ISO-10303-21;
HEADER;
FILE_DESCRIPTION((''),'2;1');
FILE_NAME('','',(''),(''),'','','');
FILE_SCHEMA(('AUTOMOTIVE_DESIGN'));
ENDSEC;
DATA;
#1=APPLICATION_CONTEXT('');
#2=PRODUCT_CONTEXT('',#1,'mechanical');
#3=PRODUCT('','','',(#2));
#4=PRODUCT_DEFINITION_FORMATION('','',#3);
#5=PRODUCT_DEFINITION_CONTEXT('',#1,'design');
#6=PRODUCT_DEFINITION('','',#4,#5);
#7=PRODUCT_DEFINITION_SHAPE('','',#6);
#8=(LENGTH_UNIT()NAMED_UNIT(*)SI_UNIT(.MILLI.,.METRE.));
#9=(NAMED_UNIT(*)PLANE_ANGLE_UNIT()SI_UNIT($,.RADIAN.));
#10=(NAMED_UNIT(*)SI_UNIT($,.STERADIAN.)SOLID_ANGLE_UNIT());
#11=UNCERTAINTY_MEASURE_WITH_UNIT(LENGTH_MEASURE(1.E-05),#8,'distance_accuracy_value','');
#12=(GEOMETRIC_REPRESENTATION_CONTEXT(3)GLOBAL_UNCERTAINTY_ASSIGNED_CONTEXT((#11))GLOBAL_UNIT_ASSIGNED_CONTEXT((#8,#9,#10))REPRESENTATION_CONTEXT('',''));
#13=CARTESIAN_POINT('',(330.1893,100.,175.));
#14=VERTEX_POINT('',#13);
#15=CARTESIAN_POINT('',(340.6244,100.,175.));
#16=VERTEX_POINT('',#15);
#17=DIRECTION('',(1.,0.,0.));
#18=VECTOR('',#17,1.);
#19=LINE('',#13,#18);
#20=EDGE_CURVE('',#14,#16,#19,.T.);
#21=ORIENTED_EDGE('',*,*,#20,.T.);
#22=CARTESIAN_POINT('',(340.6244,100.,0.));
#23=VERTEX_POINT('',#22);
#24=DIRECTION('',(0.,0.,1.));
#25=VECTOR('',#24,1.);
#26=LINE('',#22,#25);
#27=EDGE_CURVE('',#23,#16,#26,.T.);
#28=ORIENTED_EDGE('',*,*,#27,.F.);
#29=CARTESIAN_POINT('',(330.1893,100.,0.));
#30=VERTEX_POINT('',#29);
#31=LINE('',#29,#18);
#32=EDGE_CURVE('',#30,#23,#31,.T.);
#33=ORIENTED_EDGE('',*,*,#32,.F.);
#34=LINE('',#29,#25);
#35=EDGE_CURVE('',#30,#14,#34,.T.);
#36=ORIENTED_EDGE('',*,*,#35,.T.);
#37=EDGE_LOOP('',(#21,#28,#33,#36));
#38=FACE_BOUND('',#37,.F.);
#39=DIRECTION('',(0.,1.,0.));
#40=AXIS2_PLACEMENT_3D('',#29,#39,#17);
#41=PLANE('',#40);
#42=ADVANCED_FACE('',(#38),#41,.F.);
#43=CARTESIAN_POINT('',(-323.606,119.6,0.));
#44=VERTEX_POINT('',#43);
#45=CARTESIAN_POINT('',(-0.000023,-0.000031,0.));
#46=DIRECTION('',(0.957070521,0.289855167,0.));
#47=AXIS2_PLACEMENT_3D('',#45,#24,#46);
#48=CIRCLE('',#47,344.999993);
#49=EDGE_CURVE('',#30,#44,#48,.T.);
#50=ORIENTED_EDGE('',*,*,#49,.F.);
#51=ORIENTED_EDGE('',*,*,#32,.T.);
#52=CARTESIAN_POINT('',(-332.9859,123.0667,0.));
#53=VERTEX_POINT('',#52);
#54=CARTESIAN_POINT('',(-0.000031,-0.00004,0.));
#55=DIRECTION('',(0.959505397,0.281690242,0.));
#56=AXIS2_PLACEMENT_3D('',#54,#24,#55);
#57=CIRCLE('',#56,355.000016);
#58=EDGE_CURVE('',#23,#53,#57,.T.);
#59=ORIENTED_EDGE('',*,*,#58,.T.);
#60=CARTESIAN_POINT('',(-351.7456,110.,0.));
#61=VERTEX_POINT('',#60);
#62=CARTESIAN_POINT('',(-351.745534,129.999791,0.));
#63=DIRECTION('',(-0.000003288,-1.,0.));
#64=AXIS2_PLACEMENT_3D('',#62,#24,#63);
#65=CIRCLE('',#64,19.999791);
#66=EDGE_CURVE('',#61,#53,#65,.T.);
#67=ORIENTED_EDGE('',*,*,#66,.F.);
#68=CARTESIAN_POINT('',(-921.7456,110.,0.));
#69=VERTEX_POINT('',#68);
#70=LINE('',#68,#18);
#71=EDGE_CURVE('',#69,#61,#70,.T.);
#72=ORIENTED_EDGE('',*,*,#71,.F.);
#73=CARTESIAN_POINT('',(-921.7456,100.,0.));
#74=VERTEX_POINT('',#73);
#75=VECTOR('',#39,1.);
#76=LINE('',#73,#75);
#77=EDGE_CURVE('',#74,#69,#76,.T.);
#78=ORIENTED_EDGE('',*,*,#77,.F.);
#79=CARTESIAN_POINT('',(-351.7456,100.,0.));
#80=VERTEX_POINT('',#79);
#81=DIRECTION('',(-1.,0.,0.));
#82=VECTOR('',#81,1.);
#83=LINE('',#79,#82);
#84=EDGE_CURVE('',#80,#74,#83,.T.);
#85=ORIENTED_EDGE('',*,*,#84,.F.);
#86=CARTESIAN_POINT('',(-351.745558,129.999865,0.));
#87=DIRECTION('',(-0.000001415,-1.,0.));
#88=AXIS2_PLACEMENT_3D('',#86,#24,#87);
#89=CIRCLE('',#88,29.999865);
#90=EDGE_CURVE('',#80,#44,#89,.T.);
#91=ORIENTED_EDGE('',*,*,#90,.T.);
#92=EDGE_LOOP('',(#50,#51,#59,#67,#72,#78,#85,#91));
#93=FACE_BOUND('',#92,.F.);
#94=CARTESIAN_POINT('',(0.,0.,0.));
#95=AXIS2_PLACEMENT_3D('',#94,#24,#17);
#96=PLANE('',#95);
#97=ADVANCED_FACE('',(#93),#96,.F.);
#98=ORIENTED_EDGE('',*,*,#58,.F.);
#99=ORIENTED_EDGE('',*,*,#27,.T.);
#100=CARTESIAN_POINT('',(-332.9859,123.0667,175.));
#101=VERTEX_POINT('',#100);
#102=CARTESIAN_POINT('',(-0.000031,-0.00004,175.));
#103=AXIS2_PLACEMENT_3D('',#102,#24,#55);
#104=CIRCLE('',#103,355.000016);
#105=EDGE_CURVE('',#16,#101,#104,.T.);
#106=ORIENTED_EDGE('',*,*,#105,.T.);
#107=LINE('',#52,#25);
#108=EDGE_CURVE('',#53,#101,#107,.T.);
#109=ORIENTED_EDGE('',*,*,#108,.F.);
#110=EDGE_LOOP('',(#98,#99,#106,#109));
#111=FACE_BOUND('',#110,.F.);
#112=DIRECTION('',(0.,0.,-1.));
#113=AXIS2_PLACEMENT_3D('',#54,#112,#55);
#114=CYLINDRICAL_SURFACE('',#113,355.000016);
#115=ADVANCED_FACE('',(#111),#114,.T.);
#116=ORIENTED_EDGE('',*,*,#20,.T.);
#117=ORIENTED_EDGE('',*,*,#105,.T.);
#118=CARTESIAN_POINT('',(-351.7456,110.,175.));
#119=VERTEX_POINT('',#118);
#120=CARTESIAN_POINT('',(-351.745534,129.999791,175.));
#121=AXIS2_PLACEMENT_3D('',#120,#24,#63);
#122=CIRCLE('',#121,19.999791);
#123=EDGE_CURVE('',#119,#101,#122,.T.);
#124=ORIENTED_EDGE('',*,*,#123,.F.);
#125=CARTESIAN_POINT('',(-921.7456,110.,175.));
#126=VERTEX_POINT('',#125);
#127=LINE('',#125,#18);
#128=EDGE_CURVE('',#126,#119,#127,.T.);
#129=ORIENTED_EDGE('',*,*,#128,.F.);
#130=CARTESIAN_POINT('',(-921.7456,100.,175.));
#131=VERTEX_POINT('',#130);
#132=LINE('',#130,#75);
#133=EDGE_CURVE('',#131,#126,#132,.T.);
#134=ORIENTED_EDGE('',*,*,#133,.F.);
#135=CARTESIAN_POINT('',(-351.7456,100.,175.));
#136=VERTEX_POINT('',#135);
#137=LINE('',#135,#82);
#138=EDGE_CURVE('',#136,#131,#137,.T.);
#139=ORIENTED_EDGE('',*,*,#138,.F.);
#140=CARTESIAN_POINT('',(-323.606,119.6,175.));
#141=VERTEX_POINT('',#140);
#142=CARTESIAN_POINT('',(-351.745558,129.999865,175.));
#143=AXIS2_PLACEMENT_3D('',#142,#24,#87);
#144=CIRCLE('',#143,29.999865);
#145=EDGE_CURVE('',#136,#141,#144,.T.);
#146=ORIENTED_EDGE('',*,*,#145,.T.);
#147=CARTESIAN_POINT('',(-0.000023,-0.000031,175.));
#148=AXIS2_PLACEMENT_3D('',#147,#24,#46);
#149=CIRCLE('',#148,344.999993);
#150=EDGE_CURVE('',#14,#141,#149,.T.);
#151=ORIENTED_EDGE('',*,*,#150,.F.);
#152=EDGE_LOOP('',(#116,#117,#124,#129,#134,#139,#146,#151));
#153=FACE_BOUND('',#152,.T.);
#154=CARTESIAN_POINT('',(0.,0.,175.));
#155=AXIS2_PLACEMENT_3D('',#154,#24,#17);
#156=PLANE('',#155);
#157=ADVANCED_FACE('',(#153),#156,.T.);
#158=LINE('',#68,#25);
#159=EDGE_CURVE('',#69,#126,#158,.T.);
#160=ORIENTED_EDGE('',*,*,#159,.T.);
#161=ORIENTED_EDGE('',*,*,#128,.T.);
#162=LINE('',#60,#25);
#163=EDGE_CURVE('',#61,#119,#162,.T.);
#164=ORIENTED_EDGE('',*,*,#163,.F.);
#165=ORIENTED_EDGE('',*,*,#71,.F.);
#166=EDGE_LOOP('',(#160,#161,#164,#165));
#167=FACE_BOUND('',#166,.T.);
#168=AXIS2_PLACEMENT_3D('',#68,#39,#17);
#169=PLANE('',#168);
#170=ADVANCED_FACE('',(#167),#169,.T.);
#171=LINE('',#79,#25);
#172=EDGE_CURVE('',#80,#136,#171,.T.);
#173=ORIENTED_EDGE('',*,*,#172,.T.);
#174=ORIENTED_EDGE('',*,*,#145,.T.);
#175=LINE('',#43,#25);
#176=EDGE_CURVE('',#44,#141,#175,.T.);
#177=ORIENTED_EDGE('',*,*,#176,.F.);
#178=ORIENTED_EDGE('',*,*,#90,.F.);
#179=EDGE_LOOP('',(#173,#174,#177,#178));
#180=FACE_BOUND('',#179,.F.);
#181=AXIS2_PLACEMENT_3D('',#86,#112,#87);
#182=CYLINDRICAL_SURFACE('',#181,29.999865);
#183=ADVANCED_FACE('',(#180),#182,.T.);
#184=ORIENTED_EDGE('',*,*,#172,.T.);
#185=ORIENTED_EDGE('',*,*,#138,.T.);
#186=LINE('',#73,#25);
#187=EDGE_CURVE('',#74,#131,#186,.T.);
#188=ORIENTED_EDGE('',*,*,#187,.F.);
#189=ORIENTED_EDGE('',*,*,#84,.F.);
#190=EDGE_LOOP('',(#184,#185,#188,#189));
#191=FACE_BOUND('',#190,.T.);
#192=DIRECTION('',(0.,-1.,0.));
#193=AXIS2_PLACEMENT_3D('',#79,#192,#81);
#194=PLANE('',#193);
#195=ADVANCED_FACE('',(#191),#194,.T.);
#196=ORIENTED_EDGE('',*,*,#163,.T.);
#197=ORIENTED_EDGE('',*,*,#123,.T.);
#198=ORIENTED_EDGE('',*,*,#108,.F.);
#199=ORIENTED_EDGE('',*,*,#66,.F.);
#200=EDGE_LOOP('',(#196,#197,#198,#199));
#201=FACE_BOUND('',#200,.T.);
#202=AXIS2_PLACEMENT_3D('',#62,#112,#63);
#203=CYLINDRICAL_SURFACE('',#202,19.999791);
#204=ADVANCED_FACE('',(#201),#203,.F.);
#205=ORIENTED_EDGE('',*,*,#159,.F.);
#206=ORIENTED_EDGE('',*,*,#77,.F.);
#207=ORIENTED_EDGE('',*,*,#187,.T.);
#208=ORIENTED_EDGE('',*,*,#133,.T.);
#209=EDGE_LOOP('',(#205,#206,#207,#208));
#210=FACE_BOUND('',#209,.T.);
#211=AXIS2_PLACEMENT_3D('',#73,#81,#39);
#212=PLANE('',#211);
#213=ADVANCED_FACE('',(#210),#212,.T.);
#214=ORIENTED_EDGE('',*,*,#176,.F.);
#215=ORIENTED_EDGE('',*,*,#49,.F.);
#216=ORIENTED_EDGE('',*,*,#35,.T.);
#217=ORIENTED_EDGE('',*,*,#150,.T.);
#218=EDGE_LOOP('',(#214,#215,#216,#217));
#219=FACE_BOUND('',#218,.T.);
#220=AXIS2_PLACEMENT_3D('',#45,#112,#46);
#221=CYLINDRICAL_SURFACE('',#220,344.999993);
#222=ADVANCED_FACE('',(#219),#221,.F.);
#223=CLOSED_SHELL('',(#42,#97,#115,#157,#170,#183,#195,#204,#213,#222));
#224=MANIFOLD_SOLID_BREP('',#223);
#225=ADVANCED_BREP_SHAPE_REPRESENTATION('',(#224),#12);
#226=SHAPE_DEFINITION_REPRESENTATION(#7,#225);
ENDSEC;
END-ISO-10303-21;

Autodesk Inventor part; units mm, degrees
ref_plane "YZ Plane" through (0, 0, 0) normal (1, 0, 0) x (0, 1, 0)
ref_plane "XZ Plane" through (0, 0, 0) normal (0, 1, 0) x (-1, 0, 0)
ref_plane "XY Plane" through (0, 0, 0) normal (0, 0, 1) x (1, 0, 0)
sketch "Sketch1" plane through (0, 0, 0) normal (0, 0, 1) x (1, 0, 0)
  arc A0 (330.1893, 100) -> (-323.606, 119.6) centre (0, 0) ccw
  line L0 (-351.7456, 100) -> (-921.7456, 100)
  arc A1 (-351.7456, 100) -> (-323.606, 119.6) centre (-351.7456, 130) ccw
  arc A2 (340.6244, 100) -> (-332.9859, 123.0667) centre (0, 0) ccw
  line L1 (-921.7456, 100) -> (-921.7456, 110)
  line L2 (-921.7456, 110) -> (-351.7456, 110)
  arc A3 (-351.7456, 110) -> (-332.9859, 123.0667) centre (-351.7456, 130) ccw
  line L3 (0, 0) -> (0, 130)
  line L4 (330.1893, 100) -> (340.6244, 100)
  point P0 (330.3407, 130)
  dimension "d25" = 130
  dimension "d26" = 20
  dimension "d27" = 30
  dimension "d28" = 570
  dimension "d29" = 345
  dimension "d30" = 100
extrude "Extrusion1" add sketch "Sketch1" along normal blind 175
properties part number "carril1"
